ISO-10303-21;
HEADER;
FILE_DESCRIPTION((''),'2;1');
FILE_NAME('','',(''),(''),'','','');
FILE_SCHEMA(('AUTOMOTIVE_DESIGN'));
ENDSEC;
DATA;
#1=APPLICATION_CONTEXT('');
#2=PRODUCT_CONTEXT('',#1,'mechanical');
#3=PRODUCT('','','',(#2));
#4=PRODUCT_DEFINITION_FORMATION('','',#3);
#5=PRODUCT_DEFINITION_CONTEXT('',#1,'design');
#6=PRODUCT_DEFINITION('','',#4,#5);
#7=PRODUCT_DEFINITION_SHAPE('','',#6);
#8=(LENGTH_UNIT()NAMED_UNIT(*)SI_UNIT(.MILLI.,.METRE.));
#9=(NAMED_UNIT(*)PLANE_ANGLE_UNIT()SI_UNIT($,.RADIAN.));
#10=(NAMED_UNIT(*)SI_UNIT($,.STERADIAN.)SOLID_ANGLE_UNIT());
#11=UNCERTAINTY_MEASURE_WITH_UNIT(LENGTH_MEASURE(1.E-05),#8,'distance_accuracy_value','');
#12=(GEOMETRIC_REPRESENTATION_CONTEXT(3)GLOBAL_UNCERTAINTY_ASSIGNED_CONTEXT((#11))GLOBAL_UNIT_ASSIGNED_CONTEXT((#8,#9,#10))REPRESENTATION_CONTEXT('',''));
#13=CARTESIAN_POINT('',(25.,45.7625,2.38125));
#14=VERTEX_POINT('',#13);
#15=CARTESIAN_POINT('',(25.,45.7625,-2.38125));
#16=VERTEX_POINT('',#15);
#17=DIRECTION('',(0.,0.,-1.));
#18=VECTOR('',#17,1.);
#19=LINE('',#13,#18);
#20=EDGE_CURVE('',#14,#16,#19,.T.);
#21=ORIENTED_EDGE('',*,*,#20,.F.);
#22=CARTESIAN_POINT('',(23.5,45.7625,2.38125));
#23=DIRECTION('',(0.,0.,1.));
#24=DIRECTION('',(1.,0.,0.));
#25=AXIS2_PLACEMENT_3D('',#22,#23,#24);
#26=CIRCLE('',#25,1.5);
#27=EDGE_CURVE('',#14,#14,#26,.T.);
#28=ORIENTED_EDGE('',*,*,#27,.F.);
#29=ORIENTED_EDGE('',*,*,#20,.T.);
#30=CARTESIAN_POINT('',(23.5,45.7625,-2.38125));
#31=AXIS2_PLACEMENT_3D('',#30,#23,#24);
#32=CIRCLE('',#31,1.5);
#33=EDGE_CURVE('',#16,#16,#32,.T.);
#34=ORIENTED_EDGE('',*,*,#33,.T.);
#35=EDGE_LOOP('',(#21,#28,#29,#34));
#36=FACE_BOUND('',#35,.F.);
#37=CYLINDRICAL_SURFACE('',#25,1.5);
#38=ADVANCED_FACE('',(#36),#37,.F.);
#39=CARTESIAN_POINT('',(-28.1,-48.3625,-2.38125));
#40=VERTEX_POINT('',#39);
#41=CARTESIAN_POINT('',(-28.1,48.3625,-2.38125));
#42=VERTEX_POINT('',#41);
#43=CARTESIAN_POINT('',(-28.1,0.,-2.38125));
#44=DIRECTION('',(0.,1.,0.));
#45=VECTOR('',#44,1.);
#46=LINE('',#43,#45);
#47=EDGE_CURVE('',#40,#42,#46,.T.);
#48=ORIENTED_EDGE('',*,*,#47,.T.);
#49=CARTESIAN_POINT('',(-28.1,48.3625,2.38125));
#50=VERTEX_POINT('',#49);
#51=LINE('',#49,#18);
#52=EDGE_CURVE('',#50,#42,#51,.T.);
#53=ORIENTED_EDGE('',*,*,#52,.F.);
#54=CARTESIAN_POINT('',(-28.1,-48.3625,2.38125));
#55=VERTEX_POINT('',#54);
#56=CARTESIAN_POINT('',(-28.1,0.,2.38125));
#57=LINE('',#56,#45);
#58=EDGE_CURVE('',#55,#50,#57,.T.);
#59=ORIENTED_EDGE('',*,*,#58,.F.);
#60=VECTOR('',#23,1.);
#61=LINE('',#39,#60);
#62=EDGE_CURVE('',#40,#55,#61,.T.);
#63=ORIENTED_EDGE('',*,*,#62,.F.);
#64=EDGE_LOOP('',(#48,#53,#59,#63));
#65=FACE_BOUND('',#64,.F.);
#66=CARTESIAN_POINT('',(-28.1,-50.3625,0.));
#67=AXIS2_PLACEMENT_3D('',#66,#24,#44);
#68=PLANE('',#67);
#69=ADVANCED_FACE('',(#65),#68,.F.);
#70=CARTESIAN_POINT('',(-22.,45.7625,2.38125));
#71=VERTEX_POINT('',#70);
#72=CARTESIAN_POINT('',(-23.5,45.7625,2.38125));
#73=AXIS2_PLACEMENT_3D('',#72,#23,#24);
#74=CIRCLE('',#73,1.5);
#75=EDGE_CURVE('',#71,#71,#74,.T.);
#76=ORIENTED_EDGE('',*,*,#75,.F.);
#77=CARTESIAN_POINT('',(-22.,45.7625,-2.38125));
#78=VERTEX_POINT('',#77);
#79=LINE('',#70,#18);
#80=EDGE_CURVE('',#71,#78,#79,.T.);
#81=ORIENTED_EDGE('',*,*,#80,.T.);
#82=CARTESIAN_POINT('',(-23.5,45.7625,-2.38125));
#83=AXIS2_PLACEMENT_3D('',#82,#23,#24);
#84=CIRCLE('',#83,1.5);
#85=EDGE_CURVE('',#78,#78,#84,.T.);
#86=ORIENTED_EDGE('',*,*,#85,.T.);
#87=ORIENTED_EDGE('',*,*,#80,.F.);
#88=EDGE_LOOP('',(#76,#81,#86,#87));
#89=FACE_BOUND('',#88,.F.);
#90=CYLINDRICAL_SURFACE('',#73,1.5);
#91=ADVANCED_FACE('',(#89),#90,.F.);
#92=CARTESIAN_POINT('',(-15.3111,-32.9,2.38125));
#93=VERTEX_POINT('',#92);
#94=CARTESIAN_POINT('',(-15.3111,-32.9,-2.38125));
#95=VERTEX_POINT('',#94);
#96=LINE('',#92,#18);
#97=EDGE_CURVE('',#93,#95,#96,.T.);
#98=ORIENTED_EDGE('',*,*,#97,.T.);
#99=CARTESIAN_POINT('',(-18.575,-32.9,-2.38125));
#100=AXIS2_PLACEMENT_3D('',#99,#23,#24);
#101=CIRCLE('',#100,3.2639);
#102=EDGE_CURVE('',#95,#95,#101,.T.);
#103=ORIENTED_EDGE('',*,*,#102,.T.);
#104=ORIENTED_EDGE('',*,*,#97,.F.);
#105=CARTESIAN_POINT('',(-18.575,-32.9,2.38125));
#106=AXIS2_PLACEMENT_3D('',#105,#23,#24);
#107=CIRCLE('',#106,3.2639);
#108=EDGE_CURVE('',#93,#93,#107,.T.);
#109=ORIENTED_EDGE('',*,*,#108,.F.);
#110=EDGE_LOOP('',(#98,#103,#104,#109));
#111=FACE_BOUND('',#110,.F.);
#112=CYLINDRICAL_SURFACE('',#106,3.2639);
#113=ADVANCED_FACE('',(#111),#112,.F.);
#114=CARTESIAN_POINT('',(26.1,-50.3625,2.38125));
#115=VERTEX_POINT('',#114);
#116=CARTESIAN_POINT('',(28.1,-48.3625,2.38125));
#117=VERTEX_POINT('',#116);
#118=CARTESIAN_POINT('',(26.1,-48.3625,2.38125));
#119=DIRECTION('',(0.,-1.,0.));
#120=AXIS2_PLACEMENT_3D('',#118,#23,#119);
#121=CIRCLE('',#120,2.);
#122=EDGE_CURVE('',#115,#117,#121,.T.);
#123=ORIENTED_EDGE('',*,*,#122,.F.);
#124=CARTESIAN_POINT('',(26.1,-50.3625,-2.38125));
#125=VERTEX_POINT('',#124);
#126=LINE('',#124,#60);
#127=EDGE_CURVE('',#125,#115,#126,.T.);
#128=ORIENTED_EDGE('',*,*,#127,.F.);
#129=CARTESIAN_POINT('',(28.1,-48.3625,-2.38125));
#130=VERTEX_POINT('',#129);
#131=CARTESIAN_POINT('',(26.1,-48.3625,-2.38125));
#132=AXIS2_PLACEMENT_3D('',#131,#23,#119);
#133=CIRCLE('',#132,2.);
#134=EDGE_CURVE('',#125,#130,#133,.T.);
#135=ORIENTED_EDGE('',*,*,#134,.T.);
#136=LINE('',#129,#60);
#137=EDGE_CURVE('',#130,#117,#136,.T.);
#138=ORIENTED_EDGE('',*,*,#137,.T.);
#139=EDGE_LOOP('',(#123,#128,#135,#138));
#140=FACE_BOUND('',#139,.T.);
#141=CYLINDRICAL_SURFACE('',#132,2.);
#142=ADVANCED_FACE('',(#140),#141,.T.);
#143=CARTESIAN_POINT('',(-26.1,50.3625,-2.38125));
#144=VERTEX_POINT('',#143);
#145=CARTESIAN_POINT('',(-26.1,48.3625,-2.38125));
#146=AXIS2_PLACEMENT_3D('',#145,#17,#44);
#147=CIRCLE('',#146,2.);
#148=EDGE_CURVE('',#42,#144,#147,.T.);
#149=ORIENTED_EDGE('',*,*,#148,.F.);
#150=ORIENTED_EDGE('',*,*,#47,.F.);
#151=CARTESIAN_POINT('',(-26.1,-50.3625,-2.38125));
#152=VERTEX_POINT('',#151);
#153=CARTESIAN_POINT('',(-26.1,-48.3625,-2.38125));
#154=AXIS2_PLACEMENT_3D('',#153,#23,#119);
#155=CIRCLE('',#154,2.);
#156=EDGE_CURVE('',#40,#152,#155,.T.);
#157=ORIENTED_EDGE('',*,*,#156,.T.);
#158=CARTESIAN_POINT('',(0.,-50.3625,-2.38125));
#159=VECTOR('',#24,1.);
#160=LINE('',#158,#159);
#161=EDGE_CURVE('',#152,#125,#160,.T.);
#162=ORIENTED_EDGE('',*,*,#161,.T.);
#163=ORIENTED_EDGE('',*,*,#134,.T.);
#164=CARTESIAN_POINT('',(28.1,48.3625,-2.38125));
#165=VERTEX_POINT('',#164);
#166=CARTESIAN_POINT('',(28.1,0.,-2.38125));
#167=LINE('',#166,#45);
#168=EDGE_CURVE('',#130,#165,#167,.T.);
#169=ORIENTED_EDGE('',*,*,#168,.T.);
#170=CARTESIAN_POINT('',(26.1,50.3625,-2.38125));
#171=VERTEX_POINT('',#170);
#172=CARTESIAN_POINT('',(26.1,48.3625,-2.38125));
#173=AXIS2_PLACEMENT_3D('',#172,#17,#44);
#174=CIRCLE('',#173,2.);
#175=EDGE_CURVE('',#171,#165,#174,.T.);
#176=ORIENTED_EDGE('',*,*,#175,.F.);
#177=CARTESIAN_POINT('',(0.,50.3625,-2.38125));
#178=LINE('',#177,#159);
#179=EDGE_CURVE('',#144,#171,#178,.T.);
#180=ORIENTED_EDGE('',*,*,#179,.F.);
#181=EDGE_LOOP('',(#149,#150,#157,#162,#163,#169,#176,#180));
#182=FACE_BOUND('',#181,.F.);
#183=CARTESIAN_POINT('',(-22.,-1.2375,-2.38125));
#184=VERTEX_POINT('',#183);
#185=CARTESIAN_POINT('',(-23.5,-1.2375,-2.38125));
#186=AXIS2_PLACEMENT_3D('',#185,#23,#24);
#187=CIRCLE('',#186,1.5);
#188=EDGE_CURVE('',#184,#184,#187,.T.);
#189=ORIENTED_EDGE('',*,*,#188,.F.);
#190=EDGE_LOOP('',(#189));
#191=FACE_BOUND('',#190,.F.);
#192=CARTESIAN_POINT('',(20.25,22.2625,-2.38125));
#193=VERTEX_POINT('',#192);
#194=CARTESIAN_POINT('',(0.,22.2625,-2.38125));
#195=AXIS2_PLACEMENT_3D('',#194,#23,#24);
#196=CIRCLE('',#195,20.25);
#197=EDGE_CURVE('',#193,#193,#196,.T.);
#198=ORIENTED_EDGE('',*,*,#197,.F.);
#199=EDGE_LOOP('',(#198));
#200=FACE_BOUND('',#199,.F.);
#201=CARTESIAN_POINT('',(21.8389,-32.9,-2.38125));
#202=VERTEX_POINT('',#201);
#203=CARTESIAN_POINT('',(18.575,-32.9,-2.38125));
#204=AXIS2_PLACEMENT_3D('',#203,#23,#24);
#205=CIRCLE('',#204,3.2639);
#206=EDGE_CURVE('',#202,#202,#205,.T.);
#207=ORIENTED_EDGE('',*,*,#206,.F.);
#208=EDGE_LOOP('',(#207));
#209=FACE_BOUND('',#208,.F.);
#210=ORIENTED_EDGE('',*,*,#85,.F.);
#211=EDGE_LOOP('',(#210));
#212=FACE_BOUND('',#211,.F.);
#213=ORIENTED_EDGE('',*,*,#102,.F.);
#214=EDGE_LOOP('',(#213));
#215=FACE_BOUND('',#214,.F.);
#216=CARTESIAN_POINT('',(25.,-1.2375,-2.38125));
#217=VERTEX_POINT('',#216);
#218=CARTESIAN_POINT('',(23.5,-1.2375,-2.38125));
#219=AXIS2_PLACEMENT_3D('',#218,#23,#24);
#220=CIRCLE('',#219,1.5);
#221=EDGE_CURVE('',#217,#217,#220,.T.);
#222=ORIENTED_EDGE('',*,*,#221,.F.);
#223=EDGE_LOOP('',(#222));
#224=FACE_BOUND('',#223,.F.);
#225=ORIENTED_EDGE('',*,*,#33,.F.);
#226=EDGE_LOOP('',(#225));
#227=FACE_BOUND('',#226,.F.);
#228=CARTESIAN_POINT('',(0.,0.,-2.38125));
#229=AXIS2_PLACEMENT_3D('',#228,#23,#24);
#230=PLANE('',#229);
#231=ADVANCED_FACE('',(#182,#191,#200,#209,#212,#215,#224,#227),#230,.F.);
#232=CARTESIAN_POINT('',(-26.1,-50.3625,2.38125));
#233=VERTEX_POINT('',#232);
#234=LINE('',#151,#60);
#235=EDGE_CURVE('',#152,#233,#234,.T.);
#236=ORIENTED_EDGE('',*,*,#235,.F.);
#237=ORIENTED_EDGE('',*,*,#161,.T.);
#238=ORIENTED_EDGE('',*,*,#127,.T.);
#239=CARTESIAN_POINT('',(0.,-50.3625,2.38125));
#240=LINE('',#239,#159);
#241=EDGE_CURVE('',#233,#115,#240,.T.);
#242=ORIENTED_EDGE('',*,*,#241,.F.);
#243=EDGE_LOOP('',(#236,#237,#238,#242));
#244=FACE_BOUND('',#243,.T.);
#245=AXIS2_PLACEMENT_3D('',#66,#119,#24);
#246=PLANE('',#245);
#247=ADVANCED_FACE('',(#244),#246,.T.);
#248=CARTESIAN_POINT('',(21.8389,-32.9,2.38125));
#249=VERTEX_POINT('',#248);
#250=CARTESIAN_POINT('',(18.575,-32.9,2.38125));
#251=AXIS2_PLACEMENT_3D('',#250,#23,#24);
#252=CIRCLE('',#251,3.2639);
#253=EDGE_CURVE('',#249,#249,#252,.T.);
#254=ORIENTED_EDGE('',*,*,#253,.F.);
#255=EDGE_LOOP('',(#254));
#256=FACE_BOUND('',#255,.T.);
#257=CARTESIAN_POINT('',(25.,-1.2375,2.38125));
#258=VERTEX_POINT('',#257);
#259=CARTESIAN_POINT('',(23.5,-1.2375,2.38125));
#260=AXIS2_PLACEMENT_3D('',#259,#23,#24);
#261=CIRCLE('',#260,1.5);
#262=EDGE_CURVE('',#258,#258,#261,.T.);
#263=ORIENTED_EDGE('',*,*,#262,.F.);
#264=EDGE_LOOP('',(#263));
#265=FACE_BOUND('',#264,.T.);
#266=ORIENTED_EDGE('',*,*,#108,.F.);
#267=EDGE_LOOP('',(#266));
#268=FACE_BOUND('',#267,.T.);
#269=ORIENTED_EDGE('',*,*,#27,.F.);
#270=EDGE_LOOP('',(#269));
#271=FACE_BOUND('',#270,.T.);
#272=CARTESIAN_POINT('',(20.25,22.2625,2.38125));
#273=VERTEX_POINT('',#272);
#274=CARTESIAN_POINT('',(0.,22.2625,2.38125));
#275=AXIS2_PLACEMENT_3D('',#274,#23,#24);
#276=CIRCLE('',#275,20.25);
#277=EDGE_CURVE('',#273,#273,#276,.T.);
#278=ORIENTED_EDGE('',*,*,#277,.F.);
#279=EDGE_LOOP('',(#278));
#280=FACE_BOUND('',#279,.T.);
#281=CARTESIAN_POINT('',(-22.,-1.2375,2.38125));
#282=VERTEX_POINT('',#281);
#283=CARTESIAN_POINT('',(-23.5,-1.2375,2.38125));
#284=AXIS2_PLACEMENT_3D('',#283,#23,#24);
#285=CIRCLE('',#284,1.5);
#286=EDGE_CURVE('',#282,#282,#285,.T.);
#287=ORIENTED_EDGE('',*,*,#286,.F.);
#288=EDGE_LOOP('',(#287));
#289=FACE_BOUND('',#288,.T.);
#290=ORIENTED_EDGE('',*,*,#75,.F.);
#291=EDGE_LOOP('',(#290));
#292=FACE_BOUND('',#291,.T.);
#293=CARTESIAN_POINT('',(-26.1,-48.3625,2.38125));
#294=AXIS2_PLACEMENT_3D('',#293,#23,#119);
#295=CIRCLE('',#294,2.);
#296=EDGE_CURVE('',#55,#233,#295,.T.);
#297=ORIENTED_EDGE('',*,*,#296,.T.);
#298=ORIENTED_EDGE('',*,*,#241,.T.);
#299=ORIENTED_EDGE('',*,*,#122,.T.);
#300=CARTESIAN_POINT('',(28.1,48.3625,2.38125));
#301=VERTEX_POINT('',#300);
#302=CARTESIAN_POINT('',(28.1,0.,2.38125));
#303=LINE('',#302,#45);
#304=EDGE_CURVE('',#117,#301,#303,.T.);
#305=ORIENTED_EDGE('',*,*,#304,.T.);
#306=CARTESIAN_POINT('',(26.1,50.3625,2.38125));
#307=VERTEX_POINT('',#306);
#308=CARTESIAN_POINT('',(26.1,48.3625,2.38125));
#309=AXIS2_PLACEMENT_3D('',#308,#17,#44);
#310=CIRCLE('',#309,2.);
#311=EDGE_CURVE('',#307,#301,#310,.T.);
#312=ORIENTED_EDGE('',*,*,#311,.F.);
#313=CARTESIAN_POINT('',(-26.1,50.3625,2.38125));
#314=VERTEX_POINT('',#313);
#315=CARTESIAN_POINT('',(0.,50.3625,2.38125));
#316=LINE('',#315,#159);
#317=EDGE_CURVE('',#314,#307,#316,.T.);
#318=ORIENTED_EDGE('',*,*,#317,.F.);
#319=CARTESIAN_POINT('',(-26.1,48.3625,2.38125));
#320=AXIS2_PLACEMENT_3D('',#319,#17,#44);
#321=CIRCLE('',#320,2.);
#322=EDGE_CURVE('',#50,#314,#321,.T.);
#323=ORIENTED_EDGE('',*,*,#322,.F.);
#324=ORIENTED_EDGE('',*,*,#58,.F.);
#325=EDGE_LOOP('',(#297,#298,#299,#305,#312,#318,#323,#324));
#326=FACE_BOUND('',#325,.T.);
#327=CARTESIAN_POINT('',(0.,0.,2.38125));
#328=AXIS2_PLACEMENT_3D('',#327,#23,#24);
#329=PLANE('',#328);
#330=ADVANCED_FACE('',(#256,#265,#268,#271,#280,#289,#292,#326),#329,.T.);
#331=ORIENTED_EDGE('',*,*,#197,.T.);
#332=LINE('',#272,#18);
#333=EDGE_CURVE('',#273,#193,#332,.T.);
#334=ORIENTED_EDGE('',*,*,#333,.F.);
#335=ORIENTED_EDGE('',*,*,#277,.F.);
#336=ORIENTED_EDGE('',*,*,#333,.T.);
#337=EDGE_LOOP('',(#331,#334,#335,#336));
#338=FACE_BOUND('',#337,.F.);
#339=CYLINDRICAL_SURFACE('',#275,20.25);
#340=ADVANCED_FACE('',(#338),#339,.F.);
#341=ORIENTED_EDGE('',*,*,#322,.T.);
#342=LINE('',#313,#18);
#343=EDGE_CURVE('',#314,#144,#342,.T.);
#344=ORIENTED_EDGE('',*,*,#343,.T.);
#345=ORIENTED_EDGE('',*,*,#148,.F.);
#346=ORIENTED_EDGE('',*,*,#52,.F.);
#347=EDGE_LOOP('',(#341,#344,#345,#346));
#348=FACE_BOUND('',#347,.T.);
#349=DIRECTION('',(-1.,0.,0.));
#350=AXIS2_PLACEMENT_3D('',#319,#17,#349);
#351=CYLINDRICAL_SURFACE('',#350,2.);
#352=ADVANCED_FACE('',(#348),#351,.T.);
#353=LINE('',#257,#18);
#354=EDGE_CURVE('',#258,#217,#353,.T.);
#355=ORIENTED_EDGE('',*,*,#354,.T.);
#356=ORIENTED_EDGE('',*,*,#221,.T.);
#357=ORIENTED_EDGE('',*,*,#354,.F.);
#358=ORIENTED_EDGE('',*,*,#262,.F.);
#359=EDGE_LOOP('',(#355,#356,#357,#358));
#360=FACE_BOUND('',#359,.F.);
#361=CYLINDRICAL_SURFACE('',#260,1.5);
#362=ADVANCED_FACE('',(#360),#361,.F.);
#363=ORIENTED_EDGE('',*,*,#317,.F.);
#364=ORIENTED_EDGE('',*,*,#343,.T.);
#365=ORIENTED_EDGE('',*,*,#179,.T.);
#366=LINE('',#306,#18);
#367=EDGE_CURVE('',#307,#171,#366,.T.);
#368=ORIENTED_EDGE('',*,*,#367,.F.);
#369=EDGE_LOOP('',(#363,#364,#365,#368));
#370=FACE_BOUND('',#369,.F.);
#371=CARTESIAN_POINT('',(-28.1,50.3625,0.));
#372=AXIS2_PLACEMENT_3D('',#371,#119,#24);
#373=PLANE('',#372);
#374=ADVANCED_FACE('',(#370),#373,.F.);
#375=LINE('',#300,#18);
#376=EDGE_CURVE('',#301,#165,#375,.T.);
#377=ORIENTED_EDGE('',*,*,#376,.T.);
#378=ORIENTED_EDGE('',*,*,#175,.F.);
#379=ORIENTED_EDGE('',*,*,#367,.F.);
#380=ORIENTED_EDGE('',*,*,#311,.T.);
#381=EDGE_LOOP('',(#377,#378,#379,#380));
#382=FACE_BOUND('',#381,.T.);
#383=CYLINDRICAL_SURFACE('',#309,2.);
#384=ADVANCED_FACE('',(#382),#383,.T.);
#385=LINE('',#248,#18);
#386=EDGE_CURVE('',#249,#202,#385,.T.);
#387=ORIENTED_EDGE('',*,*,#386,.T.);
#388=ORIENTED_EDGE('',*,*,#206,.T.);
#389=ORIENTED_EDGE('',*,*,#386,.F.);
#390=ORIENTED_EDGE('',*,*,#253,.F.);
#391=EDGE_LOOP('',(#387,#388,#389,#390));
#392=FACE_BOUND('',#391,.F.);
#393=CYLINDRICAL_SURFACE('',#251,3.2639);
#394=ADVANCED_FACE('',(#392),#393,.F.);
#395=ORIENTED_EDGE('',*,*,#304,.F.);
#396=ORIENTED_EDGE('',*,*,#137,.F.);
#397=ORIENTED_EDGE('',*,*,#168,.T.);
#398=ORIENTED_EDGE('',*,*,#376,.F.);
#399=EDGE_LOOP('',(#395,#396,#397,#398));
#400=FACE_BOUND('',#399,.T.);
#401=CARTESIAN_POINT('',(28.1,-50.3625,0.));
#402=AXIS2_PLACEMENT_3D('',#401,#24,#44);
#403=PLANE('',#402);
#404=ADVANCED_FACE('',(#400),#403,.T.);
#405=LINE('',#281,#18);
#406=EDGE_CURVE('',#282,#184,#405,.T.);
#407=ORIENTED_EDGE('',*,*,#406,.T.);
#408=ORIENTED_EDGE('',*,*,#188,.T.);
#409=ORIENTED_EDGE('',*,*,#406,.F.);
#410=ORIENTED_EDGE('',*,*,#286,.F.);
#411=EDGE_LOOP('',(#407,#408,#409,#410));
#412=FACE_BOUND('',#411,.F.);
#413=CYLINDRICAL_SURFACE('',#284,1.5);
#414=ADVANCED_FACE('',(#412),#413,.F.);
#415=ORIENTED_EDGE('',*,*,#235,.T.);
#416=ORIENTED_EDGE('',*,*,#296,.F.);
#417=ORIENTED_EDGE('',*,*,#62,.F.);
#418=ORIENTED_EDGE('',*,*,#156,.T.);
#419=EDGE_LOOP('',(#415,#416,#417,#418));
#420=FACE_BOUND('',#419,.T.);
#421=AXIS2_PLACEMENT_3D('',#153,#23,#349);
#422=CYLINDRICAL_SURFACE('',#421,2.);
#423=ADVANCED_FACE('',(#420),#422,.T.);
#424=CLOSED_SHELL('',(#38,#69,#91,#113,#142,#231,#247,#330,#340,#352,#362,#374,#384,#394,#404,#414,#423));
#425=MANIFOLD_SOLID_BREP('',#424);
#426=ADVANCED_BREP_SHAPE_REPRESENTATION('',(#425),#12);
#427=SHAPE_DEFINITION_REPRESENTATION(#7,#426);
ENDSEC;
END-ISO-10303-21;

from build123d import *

# Parameters (mm, degrees)
SKETCH1_W           = 56.2
SKETCH1_H           = 100.725
BOSS_EXTRUDE1_DEPTH = 2.38125
SKETCH2_R           = 20.25
SKETCH2_R_2         = 1.5
SKETCH2_R_3         = 3.2639
CUT_EXTRUDE1_DEPTH  = 58.867718224
FILLET1_R           = 2


with BuildPart() as part:
    # Sketch1 → Boss-Extrude1 (new, symmetric)
    with BuildSketch(Plane.XY):
        Rectangle(SKETCH1_W, SKETCH1_H)
    extrude(amount=BOSS_EXTRUDE1_DEPTH, both=True)

    # Sketch2 → Cut-Extrude1 (cut, through all)
    with BuildSketch(Plane.XY.offset(2.38125)):
        with Locations((0, 22.2625)):
            Circle(SKETCH2_R)
        with Locations((-23.5, 45.7625)):
            Circle(SKETCH2_R_2)
        with Locations((23.5, 45.7625)):
            Circle(SKETCH2_R_2)
        with Locations((-23.5, -1.2375)):
            Circle(SKETCH2_R_2)
        with Locations((23.5, -1.2375)):
            Circle(SKETCH2_R_2)
        with Locations((-18.575, -32.9)):
            Circle(SKETCH2_R_3)
        with Locations((18.575, -32.9)):
            Circle(SKETCH2_R_3)
    extrude(amount=-CUT_EXTRUDE1_DEPTH, mode=Mode.SUBTRACT)

    # Fillet1
    fillet1_edges = [part.edges().sort_by_distance(p)[0] for p in [
        (28.1, -50.3625, 0),
        (-28.1, -50.3625, 0),
        (-28.1, 50.3625, 0),
        (28.1, 50.3625, 0),
    ]]
    fillet(fillet1_edges, radius=FILLET1_R)


solid = part.part
